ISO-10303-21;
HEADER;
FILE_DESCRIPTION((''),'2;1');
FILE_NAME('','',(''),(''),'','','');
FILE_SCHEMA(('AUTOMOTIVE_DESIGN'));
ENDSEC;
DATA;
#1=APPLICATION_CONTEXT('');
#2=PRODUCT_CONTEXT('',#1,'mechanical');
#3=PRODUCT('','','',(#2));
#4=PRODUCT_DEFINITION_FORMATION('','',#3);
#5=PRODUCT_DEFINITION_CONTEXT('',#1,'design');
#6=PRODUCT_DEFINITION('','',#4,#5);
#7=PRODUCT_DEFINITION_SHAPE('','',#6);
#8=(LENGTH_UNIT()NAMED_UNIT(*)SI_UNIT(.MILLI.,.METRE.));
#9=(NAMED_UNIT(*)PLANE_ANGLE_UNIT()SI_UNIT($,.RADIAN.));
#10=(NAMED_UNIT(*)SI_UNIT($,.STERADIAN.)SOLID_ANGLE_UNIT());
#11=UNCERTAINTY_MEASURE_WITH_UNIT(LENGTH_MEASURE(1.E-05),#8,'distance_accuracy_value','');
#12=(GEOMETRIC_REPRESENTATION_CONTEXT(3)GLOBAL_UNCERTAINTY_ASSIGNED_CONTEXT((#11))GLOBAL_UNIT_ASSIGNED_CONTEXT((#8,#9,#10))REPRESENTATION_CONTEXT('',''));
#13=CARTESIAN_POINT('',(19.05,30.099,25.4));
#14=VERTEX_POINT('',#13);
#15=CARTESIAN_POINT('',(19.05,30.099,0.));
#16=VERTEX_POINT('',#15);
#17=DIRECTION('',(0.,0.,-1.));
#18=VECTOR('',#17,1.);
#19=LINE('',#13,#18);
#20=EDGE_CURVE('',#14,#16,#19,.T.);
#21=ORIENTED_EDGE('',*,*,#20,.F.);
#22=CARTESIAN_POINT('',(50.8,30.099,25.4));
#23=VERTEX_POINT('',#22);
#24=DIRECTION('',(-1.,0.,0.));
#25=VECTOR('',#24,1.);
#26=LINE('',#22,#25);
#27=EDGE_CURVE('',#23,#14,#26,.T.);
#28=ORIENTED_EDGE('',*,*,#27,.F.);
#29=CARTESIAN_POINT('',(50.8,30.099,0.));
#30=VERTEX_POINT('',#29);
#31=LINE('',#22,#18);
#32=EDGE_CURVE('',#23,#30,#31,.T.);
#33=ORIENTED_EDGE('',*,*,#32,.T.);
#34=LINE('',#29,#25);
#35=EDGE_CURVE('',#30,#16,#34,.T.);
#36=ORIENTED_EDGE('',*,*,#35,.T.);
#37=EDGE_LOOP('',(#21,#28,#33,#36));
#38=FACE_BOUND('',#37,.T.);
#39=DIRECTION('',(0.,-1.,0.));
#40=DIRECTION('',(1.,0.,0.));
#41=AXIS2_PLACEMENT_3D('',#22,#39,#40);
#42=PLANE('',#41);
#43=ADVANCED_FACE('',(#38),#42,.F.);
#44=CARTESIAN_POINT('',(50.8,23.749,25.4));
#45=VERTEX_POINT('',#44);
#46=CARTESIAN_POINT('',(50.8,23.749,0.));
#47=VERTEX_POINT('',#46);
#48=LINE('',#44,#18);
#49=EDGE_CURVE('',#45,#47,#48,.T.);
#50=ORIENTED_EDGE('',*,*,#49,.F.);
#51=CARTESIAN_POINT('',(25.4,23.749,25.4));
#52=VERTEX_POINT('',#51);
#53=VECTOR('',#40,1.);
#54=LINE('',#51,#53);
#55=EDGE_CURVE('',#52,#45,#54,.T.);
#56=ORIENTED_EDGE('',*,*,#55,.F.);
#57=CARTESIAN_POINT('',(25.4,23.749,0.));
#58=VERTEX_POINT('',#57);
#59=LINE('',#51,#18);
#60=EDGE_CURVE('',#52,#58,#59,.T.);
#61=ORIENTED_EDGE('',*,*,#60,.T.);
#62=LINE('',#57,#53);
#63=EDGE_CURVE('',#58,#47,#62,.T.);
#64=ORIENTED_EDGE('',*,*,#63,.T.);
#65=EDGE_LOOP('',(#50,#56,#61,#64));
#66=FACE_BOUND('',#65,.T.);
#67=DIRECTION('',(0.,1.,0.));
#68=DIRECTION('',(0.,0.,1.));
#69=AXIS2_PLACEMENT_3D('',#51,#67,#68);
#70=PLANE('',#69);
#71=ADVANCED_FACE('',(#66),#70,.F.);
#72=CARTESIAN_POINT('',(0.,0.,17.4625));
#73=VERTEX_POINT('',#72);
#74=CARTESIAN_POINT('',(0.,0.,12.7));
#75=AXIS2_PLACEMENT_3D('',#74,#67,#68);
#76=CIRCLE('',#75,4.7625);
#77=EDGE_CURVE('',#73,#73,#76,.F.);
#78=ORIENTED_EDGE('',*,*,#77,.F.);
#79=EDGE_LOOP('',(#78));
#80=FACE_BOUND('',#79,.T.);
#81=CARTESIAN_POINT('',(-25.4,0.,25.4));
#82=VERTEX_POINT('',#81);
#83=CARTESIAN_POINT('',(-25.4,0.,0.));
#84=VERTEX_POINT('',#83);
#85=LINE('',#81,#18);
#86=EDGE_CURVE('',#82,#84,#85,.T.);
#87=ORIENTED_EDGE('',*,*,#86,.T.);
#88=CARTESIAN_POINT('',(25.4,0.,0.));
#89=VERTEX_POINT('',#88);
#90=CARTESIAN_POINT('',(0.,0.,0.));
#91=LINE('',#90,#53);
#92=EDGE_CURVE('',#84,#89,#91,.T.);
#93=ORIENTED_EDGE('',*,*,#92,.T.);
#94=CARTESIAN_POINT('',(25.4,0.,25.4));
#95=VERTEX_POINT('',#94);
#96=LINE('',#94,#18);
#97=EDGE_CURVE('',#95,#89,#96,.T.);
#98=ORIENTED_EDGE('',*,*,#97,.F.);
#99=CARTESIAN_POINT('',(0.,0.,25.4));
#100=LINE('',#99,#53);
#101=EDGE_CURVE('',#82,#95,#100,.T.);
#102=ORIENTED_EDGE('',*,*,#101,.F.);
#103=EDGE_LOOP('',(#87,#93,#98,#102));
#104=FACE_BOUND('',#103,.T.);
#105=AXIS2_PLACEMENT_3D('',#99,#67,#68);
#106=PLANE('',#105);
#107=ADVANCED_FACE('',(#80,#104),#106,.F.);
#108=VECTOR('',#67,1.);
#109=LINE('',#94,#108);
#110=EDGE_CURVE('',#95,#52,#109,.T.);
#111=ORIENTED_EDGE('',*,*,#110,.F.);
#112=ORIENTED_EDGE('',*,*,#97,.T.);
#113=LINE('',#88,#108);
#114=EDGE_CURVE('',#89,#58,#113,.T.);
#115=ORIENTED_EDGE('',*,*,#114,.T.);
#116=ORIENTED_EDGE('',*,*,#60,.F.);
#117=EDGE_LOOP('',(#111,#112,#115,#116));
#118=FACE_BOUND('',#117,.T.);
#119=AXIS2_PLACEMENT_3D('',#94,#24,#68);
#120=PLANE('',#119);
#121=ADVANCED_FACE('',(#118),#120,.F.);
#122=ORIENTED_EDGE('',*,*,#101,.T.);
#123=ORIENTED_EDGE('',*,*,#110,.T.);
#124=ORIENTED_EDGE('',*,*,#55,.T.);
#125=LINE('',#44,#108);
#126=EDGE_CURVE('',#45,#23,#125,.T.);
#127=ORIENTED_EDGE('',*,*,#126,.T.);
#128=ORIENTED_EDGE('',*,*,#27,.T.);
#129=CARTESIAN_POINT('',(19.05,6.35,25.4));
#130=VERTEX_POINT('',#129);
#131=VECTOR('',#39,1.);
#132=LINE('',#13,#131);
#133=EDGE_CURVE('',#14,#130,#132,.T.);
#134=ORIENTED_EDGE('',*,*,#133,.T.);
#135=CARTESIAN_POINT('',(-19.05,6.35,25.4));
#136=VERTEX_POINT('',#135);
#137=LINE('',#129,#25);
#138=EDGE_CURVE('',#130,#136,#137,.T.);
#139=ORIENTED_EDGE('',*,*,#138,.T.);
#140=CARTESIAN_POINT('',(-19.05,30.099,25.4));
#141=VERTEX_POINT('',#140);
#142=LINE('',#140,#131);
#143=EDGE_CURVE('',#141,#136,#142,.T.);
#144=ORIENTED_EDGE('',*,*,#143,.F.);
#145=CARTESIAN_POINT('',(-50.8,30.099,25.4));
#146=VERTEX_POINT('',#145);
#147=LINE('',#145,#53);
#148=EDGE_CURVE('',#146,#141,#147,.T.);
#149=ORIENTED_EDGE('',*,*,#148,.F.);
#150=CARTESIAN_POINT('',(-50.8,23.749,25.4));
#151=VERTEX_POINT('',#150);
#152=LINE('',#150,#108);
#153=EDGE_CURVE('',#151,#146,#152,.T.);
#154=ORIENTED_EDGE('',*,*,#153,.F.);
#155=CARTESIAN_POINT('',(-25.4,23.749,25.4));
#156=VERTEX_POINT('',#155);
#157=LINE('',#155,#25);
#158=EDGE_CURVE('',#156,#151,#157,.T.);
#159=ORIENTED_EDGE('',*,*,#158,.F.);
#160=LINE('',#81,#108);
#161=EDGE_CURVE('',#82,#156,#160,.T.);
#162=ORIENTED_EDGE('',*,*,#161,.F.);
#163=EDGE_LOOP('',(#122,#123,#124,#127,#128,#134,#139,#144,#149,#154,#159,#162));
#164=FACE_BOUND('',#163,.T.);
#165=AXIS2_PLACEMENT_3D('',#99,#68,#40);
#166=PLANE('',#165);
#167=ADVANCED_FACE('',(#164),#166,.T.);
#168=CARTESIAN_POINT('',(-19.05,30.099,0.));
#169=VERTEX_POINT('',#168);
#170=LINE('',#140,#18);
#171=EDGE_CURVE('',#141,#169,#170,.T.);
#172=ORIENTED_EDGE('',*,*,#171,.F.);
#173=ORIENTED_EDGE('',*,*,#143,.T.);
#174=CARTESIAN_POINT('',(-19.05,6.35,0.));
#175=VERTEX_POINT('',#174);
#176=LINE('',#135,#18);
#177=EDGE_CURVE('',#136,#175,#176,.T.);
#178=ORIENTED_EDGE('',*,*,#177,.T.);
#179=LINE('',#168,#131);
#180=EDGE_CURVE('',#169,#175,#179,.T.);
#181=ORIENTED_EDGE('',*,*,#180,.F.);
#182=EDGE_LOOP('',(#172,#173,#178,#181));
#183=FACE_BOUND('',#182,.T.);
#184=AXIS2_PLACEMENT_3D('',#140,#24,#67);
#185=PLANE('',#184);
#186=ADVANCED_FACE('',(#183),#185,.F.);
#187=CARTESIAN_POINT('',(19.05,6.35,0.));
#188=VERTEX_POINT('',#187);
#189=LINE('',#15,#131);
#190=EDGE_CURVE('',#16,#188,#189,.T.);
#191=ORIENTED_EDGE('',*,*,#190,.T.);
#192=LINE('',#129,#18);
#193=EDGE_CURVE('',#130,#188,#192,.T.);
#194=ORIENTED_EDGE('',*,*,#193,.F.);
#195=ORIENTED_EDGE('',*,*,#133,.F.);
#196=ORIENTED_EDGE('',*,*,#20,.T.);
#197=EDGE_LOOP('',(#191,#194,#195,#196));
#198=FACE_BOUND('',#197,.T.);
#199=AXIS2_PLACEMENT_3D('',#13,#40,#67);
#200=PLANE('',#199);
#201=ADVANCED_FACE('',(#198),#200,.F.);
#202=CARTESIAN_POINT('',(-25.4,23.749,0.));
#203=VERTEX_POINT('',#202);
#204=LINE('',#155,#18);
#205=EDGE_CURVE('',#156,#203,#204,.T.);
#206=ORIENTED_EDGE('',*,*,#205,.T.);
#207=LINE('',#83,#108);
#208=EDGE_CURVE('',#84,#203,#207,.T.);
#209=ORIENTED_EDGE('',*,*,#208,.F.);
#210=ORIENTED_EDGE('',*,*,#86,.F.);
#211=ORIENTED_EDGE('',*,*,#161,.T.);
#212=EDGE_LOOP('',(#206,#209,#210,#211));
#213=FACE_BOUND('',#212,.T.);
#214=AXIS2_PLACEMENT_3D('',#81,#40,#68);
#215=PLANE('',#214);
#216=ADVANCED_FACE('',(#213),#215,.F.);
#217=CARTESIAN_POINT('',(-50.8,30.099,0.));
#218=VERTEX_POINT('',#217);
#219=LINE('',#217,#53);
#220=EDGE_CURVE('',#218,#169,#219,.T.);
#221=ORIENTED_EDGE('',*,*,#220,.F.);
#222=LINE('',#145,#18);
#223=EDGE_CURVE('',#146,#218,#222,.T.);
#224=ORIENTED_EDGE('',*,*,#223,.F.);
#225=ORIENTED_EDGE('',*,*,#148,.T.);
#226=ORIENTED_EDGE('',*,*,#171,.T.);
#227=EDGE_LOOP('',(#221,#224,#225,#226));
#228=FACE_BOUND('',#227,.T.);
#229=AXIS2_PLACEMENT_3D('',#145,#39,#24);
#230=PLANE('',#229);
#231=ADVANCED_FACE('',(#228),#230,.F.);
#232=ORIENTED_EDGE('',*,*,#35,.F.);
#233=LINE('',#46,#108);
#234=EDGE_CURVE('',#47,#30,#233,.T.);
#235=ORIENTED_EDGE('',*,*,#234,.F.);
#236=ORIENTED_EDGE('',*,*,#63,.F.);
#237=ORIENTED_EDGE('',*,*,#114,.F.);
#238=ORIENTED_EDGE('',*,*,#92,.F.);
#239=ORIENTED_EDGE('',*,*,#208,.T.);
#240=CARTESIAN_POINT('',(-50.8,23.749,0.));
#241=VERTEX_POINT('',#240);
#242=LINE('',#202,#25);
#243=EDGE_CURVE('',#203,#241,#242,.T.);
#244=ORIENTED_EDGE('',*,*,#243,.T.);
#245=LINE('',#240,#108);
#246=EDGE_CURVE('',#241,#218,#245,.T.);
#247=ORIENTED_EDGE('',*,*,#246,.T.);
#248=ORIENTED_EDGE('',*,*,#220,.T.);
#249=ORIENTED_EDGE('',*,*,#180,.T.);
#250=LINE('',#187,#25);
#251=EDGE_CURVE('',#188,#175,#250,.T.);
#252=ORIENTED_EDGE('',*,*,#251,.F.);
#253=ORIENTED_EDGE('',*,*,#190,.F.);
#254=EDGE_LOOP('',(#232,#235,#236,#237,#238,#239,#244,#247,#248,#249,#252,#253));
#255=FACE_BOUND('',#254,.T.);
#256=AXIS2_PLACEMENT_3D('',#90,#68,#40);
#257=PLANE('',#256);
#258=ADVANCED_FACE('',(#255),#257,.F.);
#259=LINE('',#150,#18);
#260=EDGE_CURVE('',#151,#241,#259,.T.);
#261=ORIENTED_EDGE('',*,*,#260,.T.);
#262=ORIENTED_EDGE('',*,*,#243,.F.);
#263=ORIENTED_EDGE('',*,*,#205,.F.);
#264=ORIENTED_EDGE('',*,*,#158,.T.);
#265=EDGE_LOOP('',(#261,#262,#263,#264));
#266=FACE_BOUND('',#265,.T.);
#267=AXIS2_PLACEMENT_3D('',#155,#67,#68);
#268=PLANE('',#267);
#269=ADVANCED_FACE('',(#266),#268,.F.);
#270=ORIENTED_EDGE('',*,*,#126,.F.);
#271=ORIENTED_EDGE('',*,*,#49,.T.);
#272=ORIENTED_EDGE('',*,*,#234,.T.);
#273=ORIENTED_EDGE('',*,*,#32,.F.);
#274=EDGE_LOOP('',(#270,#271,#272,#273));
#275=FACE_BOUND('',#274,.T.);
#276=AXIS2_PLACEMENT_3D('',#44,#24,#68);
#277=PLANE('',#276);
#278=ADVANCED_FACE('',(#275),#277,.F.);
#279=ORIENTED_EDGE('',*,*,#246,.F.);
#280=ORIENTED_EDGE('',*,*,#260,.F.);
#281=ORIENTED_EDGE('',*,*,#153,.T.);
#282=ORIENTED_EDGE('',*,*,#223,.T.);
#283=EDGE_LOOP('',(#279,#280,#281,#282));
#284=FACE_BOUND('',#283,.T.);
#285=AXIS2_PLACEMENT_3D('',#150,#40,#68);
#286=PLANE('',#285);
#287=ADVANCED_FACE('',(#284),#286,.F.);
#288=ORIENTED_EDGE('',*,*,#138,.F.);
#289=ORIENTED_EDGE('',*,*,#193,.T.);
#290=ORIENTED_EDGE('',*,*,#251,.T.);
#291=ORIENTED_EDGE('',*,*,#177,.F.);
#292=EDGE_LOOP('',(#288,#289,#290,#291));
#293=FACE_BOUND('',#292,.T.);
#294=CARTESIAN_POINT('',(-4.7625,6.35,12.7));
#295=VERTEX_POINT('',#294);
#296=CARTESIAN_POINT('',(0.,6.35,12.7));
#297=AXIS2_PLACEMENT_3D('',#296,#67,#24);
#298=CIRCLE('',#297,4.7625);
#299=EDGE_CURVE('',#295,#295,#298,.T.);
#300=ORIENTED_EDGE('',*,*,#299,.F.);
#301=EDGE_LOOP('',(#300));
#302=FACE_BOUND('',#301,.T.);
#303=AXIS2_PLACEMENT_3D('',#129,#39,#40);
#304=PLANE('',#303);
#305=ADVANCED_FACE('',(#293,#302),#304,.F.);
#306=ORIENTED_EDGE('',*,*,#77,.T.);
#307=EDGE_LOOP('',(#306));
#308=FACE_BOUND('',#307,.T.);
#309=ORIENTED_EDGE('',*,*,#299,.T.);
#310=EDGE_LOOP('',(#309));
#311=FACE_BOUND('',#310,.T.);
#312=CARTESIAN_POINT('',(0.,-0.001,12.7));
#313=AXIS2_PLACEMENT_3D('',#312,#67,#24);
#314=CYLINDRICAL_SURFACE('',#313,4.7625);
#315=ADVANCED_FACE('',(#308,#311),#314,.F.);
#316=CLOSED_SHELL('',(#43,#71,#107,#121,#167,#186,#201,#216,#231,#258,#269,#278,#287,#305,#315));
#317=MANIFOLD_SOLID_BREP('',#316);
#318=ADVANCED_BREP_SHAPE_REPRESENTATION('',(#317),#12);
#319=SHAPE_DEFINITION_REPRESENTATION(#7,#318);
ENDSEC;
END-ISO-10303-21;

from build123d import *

# Parameters (mm, degrees)
BOSS_EXTRUDE1_DEPTH = 25.4
CUT_EXTRUDE1_REACH  = 63.561
SKETCH2_R           = 4.7625


with BuildPart() as part:
    # Sketch1 → Boss-Extrude1 (new body)
    with BuildSketch(Plane.XY):
        Polygon((0, 0), (25.4, 0), (25.4, 23.749), (50.8, 23.749), (50.8, 30.099), (19.05, 30.099), (19.05, 6.35), (0, 6.35), align=None)
    extrude(amount=BOSS_EXTRUDE1_DEPTH)

    # Mirror1: part across plane


with BuildPart() as part_1:
    add(part.part)
    add(part.part.mirror(Plane(origin=(0, 6.35, 25.4), x_dir=(0, 0, 1), z_dir=(1, 0, 0))))

    # Sketch2 → Cut-Extrude1 (cut, up to next)
    with BuildSketch(Plane(origin=(0, 6.35, 0), x_dir=(1, 0, 0), z_dir=(0, 1, 0)), mode=Mode.PRIVATE) as cut_extrude1_sk1:
        with Locations(Location((0, -12.7, 0), (0, 0, 180))):
            Circle(SKETCH2_R)
    cut_extrude1_tool1 = extrude(cut_extrude1_sk1.sketch, amount=-CUT_EXTRUDE1_REACH, mode=Mode.PRIVATE) & part_1.part
    add(cut_extrude1_tool1.solids().sort_by_distance((0, 6.35, 12.7))[0], mode=Mode.SUBTRACT)


solid = part_1.part
